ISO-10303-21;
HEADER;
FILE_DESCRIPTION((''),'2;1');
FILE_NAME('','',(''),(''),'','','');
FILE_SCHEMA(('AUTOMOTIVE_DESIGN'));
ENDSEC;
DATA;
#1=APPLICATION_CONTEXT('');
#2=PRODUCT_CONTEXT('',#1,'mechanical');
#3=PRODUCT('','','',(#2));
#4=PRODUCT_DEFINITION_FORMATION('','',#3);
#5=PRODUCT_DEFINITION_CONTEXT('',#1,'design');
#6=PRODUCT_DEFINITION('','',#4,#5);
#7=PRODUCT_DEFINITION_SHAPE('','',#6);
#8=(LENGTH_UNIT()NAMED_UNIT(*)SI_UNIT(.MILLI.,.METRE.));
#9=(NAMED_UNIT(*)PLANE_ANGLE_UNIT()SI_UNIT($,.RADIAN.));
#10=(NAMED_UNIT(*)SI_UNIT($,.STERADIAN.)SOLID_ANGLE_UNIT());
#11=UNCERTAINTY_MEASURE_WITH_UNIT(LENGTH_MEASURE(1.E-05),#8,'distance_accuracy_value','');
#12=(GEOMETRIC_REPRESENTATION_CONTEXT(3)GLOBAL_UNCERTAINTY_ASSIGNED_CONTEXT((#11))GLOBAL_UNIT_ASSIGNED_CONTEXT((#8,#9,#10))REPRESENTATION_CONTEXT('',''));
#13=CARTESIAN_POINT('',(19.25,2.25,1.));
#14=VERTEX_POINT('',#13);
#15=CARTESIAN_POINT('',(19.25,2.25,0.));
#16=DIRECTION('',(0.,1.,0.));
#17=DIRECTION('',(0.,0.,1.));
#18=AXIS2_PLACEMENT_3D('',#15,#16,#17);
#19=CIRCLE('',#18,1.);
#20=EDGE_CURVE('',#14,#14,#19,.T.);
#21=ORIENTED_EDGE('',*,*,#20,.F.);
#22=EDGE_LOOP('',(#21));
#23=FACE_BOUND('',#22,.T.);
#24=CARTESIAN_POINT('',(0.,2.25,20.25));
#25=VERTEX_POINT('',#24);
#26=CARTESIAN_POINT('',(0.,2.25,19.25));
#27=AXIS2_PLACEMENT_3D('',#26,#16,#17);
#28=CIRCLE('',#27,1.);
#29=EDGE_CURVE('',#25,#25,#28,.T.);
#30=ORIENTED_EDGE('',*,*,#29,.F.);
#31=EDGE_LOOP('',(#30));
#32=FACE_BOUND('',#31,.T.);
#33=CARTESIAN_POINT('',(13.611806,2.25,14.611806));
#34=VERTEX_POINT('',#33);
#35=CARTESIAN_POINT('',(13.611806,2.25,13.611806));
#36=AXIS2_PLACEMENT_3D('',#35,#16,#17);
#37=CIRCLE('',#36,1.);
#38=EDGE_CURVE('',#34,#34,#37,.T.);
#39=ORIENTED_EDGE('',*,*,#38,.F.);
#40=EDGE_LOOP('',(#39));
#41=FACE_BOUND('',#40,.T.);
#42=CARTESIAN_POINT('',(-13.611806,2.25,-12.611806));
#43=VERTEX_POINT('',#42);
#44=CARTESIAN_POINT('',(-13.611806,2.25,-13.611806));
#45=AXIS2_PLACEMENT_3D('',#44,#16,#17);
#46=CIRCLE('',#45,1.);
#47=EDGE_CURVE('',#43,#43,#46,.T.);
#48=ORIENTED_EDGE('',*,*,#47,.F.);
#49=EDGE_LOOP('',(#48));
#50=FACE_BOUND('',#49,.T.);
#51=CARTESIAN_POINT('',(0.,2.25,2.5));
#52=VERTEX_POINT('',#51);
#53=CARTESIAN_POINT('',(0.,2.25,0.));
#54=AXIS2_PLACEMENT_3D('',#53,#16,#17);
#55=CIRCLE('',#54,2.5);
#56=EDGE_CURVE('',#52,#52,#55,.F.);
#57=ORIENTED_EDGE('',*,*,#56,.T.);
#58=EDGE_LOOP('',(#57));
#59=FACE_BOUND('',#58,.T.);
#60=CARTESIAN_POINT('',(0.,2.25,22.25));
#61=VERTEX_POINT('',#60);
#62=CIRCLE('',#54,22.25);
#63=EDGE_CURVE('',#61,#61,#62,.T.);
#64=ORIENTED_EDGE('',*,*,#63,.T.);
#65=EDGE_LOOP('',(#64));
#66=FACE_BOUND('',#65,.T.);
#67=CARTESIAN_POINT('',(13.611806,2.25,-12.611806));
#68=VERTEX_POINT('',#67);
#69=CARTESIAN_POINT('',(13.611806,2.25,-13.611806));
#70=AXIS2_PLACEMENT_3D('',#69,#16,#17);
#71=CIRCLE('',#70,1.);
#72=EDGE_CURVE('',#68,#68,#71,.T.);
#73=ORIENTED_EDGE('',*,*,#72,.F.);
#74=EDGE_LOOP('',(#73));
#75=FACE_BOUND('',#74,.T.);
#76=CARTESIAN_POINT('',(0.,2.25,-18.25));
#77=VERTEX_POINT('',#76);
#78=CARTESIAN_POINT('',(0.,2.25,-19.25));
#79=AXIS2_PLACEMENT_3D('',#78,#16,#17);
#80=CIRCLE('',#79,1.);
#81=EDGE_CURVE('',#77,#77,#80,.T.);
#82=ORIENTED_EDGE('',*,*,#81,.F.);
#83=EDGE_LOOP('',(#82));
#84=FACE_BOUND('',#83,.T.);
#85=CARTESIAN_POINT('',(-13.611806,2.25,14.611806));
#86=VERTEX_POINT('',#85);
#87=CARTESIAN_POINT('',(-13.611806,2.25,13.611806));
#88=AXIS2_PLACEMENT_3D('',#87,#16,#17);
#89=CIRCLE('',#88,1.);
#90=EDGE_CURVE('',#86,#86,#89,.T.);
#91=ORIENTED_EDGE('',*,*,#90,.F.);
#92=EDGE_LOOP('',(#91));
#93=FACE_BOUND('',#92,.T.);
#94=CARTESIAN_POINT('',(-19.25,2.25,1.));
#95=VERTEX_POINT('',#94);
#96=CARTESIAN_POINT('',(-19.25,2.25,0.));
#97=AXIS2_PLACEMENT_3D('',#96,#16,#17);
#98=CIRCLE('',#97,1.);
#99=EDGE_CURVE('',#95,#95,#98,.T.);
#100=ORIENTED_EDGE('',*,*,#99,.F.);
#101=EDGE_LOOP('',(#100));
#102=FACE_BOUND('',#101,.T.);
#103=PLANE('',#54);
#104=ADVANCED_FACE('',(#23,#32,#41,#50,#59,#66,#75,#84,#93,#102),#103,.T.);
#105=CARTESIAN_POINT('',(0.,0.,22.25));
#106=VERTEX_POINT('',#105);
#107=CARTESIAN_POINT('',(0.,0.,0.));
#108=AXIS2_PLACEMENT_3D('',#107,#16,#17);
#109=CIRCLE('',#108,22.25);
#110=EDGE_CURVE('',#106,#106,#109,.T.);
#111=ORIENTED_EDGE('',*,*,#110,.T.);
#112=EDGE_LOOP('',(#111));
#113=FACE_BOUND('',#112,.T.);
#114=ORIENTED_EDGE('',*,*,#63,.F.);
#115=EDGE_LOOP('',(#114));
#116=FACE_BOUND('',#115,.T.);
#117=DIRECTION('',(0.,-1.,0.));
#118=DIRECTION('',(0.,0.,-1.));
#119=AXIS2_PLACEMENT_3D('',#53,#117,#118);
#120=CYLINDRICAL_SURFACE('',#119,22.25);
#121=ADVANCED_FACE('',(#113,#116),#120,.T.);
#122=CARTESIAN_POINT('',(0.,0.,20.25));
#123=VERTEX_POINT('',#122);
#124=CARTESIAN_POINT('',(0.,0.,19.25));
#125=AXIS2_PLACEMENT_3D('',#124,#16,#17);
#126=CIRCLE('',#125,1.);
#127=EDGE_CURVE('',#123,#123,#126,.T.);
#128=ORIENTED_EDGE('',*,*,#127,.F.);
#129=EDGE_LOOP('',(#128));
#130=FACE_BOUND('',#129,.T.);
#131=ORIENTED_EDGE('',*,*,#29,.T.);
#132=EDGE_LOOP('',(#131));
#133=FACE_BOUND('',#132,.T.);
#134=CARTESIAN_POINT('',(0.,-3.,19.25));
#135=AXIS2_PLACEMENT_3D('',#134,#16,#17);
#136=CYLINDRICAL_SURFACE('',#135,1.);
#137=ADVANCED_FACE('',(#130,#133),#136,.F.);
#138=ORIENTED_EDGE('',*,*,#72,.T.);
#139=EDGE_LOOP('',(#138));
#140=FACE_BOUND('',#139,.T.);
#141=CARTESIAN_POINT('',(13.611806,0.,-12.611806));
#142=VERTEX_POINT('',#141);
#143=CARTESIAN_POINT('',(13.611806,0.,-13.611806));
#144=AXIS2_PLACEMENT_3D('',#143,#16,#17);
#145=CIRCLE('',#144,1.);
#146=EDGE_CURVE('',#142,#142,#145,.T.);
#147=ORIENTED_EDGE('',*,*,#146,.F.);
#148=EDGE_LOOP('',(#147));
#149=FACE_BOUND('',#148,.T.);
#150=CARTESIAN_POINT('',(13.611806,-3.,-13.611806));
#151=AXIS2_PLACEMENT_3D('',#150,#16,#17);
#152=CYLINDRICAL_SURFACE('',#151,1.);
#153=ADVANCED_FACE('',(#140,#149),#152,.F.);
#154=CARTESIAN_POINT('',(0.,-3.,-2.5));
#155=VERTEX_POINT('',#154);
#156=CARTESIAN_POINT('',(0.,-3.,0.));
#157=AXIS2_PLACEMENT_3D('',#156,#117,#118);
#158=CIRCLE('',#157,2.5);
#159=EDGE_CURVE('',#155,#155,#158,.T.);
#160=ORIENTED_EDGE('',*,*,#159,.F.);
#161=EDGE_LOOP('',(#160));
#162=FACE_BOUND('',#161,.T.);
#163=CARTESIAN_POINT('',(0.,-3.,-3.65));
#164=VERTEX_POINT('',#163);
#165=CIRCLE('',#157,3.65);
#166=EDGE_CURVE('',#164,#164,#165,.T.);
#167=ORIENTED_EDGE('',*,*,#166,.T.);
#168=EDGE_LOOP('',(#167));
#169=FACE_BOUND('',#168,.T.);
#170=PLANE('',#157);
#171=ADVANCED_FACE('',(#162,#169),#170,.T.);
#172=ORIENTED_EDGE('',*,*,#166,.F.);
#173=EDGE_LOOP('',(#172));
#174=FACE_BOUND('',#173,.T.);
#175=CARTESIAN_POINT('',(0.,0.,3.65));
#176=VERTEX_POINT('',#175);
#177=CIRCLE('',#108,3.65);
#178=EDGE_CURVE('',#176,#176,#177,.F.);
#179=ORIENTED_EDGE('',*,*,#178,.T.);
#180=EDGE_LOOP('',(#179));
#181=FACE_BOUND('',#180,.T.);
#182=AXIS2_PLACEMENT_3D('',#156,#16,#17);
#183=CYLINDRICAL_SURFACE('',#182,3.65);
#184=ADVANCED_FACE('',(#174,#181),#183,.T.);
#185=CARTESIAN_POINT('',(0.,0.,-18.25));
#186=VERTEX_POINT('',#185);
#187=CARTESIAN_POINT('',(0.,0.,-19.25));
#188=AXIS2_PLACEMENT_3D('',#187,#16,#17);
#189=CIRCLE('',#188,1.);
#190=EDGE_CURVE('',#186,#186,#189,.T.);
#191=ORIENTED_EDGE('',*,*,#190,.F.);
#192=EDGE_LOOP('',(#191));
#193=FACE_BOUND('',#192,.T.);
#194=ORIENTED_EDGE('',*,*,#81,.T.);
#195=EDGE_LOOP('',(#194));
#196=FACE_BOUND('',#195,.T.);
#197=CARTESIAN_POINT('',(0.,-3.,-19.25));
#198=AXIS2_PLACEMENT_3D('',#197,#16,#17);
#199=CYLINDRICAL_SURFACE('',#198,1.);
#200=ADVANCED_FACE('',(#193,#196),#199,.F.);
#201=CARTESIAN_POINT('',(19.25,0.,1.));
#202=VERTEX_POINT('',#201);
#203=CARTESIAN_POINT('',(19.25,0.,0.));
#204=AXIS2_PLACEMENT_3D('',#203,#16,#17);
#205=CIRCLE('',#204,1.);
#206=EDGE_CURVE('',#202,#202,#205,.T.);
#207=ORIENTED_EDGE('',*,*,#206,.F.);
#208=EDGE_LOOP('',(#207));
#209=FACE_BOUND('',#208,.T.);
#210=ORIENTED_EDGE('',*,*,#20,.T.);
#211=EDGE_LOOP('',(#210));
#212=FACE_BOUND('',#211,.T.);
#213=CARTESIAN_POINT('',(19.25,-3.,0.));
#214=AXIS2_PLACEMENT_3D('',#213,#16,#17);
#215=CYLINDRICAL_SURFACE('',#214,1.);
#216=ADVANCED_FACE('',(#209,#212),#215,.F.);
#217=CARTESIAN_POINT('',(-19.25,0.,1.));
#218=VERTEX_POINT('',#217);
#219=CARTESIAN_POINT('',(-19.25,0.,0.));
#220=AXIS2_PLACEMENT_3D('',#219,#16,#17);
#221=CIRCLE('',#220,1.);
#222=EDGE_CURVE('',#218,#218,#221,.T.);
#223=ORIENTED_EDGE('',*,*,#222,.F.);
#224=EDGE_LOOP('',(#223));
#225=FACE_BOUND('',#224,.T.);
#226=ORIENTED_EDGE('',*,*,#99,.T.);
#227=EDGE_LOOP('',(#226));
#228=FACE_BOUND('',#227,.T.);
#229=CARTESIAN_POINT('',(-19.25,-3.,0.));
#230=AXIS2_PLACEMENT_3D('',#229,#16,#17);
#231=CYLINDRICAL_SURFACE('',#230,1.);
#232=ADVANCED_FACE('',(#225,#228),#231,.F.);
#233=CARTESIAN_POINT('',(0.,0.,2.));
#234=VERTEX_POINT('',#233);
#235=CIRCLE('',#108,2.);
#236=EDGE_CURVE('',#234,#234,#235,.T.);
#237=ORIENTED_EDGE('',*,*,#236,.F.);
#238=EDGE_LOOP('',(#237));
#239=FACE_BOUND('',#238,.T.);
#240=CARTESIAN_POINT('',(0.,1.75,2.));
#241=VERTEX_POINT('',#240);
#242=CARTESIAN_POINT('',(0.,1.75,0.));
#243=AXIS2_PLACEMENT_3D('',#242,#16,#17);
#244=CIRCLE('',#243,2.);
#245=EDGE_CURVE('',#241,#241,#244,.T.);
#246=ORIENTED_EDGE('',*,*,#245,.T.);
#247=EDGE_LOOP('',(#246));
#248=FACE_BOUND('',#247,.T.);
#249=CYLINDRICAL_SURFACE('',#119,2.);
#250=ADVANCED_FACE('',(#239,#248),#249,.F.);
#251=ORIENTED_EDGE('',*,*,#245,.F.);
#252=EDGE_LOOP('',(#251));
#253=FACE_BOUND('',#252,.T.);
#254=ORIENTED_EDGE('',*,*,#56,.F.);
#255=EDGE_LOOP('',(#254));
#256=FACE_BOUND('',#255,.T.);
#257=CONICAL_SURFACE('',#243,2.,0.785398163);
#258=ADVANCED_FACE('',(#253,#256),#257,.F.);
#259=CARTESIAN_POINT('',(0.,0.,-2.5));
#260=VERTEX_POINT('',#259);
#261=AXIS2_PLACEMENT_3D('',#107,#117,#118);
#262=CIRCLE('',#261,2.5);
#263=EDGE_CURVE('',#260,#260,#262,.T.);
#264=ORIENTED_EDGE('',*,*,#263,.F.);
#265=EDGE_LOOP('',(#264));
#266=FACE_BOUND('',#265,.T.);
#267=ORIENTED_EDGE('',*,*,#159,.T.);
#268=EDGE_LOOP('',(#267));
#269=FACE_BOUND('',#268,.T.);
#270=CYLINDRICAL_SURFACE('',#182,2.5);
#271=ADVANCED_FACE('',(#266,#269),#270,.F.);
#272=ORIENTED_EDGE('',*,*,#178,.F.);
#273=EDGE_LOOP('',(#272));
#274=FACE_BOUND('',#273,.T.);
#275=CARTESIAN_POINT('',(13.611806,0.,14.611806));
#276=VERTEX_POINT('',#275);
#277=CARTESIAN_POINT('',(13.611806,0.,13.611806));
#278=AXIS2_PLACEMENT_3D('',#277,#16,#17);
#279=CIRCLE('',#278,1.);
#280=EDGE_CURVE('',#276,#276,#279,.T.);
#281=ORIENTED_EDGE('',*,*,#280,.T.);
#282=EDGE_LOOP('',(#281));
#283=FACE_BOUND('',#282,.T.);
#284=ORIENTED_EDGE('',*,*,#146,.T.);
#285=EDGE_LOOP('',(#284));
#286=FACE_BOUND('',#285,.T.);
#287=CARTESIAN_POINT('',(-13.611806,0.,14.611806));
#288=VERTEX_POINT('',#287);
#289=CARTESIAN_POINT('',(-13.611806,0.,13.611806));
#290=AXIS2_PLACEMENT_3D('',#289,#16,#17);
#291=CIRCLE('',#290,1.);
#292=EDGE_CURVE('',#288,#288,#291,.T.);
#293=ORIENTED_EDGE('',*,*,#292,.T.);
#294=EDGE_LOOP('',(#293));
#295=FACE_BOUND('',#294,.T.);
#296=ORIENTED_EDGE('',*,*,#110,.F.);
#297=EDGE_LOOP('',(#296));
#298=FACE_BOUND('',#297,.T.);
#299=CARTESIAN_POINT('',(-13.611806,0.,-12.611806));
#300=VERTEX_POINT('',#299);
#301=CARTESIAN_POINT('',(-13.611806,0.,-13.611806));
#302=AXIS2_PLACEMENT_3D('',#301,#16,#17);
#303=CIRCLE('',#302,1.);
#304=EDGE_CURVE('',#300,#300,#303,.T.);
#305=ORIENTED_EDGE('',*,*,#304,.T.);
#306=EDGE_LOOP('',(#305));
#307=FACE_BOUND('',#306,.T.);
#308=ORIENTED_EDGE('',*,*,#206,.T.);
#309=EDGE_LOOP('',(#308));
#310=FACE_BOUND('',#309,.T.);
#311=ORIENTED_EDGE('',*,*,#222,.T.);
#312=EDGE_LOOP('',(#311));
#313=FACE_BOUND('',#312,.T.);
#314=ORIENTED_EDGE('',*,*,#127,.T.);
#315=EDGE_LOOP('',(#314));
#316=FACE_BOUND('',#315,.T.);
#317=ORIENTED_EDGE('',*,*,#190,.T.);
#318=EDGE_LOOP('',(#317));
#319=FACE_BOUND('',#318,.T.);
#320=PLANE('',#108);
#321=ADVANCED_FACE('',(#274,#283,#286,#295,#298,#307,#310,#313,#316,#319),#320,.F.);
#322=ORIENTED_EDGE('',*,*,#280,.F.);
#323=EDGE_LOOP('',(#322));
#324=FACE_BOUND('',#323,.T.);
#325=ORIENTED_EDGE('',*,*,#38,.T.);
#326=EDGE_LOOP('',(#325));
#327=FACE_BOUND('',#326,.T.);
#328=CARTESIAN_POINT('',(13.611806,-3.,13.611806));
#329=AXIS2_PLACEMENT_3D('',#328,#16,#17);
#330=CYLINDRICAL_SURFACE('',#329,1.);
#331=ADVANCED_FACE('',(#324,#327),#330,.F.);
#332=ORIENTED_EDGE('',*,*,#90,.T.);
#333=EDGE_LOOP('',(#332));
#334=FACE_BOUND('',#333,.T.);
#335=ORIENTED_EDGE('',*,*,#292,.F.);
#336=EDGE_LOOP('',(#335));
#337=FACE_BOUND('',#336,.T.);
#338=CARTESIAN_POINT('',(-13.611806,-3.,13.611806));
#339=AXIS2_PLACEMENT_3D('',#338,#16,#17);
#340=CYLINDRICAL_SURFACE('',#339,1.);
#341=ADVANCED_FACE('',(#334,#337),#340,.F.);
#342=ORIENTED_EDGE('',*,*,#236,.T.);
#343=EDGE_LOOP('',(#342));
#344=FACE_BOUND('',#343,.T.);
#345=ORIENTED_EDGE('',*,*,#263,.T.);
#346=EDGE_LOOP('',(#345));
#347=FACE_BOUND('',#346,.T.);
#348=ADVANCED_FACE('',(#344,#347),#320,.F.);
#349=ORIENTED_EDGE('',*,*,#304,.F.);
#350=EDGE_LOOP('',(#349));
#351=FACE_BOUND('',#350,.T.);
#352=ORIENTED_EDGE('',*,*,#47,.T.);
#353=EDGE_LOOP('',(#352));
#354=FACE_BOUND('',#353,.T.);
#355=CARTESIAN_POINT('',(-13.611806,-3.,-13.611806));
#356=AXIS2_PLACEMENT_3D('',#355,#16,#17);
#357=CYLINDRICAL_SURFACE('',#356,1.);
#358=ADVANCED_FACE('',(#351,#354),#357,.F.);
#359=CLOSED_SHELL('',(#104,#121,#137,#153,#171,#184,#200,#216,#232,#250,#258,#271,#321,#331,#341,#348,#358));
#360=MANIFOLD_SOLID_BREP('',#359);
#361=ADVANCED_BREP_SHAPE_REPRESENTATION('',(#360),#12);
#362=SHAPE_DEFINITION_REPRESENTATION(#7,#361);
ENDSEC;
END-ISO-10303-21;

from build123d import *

# Parameters (mm, degrees)
SKETCH_1_R          = 22.25
SKETCH_1_R_2        = 2
EXTRUDE_1_DEPTH     = 2.25
SKETCH_3_R          = 3.65
SKETCH_3_R_2        = 2.5
EXTRUDE_2_DEPTH     = 3
CHAMFER_1_SIZE      = 0.5
SKETCH_4_R          = 1
CUT_EXTRUDE_3_DEPTH = 32.90121471


with BuildPart() as part:
    # Эскиз1 → Вытянуть1 (new body)
    with BuildSketch(Plane(origin=(0, 0, 0), x_dir=(1, 0, 0), z_dir=(0, 1, 0))):
        with Locations(Location((0, 0, 0), (0, 0, 270))):
            Circle(SKETCH_1_R)
        with Locations(Location((0, 0, 0), (0, 0, 270))):
            Circle(SKETCH_1_R_2, mode=Mode.SUBTRACT)
    extrude(amount=EXTRUDE_1_DEPTH)

    # Эскиз3 → Вытянуть2 (add)
    with BuildSketch(Plane.XZ):
        with Locations(Location((0, 0, 0), (0, 0, 90))):
            Circle(SKETCH_3_R)
        with Locations(Location((0, 0, 0), (0, 0, 270))):
            Circle(SKETCH_3_R_2, mode=Mode.SUBTRACT)
    extrude(amount=EXTRUDE_2_DEPTH)

    # Фаска1
    chamfer_1_edges = [part.edges().sort_by_distance(p)[0] for p in [
        (0, 2.25, -2),
    ]]
    chamfer(chamfer_1_edges, length=CHAMFER_1_SIZE)

    # Эскиз4 → Вытянуть3 (cut, through all)
    with BuildSketch(Plane(origin=(0, 2.25, 0), x_dir=(1, 0, 0), z_dir=(0, 1, 0))):
        with Locations(Location((0, 19.25, 0), (0, 0, 270))):
            Circle(SKETCH_4_R)
        with Locations(Location((13.611805538, 13.611805538, 0), (0, 0, 270))):
            Circle(SKETCH_4_R)
        with Locations(Location((19.25, 0, 0), (0, 0, 270))):
            Circle(SKETCH_4_R)
        with Locations(Location((13.611805538, -13.611805538, 0), (0, 0, 270))):
            Circle(SKETCH_4_R)
        with Locations(Location((0, -19.25, 0), (0, 0, 270))):
            Circle(SKETCH_4_R)
        with Locations(Location((-13.611805538, -13.611805538, 0), (0, 0, 270))):
            Circle(SKETCH_4_R)
        with Locations(Location((-19.25, 0, 0), (0, 0, 270))):
            Circle(SKETCH_4_R)
        with Locations(Location((-13.611805538, 13.611805538, 0), (0, 0, 270))):
            Circle(SKETCH_4_R)
    extrude(amount=-CUT_EXTRUDE_3_DEPTH, mode=Mode.SUBTRACT)


solid = part.part
